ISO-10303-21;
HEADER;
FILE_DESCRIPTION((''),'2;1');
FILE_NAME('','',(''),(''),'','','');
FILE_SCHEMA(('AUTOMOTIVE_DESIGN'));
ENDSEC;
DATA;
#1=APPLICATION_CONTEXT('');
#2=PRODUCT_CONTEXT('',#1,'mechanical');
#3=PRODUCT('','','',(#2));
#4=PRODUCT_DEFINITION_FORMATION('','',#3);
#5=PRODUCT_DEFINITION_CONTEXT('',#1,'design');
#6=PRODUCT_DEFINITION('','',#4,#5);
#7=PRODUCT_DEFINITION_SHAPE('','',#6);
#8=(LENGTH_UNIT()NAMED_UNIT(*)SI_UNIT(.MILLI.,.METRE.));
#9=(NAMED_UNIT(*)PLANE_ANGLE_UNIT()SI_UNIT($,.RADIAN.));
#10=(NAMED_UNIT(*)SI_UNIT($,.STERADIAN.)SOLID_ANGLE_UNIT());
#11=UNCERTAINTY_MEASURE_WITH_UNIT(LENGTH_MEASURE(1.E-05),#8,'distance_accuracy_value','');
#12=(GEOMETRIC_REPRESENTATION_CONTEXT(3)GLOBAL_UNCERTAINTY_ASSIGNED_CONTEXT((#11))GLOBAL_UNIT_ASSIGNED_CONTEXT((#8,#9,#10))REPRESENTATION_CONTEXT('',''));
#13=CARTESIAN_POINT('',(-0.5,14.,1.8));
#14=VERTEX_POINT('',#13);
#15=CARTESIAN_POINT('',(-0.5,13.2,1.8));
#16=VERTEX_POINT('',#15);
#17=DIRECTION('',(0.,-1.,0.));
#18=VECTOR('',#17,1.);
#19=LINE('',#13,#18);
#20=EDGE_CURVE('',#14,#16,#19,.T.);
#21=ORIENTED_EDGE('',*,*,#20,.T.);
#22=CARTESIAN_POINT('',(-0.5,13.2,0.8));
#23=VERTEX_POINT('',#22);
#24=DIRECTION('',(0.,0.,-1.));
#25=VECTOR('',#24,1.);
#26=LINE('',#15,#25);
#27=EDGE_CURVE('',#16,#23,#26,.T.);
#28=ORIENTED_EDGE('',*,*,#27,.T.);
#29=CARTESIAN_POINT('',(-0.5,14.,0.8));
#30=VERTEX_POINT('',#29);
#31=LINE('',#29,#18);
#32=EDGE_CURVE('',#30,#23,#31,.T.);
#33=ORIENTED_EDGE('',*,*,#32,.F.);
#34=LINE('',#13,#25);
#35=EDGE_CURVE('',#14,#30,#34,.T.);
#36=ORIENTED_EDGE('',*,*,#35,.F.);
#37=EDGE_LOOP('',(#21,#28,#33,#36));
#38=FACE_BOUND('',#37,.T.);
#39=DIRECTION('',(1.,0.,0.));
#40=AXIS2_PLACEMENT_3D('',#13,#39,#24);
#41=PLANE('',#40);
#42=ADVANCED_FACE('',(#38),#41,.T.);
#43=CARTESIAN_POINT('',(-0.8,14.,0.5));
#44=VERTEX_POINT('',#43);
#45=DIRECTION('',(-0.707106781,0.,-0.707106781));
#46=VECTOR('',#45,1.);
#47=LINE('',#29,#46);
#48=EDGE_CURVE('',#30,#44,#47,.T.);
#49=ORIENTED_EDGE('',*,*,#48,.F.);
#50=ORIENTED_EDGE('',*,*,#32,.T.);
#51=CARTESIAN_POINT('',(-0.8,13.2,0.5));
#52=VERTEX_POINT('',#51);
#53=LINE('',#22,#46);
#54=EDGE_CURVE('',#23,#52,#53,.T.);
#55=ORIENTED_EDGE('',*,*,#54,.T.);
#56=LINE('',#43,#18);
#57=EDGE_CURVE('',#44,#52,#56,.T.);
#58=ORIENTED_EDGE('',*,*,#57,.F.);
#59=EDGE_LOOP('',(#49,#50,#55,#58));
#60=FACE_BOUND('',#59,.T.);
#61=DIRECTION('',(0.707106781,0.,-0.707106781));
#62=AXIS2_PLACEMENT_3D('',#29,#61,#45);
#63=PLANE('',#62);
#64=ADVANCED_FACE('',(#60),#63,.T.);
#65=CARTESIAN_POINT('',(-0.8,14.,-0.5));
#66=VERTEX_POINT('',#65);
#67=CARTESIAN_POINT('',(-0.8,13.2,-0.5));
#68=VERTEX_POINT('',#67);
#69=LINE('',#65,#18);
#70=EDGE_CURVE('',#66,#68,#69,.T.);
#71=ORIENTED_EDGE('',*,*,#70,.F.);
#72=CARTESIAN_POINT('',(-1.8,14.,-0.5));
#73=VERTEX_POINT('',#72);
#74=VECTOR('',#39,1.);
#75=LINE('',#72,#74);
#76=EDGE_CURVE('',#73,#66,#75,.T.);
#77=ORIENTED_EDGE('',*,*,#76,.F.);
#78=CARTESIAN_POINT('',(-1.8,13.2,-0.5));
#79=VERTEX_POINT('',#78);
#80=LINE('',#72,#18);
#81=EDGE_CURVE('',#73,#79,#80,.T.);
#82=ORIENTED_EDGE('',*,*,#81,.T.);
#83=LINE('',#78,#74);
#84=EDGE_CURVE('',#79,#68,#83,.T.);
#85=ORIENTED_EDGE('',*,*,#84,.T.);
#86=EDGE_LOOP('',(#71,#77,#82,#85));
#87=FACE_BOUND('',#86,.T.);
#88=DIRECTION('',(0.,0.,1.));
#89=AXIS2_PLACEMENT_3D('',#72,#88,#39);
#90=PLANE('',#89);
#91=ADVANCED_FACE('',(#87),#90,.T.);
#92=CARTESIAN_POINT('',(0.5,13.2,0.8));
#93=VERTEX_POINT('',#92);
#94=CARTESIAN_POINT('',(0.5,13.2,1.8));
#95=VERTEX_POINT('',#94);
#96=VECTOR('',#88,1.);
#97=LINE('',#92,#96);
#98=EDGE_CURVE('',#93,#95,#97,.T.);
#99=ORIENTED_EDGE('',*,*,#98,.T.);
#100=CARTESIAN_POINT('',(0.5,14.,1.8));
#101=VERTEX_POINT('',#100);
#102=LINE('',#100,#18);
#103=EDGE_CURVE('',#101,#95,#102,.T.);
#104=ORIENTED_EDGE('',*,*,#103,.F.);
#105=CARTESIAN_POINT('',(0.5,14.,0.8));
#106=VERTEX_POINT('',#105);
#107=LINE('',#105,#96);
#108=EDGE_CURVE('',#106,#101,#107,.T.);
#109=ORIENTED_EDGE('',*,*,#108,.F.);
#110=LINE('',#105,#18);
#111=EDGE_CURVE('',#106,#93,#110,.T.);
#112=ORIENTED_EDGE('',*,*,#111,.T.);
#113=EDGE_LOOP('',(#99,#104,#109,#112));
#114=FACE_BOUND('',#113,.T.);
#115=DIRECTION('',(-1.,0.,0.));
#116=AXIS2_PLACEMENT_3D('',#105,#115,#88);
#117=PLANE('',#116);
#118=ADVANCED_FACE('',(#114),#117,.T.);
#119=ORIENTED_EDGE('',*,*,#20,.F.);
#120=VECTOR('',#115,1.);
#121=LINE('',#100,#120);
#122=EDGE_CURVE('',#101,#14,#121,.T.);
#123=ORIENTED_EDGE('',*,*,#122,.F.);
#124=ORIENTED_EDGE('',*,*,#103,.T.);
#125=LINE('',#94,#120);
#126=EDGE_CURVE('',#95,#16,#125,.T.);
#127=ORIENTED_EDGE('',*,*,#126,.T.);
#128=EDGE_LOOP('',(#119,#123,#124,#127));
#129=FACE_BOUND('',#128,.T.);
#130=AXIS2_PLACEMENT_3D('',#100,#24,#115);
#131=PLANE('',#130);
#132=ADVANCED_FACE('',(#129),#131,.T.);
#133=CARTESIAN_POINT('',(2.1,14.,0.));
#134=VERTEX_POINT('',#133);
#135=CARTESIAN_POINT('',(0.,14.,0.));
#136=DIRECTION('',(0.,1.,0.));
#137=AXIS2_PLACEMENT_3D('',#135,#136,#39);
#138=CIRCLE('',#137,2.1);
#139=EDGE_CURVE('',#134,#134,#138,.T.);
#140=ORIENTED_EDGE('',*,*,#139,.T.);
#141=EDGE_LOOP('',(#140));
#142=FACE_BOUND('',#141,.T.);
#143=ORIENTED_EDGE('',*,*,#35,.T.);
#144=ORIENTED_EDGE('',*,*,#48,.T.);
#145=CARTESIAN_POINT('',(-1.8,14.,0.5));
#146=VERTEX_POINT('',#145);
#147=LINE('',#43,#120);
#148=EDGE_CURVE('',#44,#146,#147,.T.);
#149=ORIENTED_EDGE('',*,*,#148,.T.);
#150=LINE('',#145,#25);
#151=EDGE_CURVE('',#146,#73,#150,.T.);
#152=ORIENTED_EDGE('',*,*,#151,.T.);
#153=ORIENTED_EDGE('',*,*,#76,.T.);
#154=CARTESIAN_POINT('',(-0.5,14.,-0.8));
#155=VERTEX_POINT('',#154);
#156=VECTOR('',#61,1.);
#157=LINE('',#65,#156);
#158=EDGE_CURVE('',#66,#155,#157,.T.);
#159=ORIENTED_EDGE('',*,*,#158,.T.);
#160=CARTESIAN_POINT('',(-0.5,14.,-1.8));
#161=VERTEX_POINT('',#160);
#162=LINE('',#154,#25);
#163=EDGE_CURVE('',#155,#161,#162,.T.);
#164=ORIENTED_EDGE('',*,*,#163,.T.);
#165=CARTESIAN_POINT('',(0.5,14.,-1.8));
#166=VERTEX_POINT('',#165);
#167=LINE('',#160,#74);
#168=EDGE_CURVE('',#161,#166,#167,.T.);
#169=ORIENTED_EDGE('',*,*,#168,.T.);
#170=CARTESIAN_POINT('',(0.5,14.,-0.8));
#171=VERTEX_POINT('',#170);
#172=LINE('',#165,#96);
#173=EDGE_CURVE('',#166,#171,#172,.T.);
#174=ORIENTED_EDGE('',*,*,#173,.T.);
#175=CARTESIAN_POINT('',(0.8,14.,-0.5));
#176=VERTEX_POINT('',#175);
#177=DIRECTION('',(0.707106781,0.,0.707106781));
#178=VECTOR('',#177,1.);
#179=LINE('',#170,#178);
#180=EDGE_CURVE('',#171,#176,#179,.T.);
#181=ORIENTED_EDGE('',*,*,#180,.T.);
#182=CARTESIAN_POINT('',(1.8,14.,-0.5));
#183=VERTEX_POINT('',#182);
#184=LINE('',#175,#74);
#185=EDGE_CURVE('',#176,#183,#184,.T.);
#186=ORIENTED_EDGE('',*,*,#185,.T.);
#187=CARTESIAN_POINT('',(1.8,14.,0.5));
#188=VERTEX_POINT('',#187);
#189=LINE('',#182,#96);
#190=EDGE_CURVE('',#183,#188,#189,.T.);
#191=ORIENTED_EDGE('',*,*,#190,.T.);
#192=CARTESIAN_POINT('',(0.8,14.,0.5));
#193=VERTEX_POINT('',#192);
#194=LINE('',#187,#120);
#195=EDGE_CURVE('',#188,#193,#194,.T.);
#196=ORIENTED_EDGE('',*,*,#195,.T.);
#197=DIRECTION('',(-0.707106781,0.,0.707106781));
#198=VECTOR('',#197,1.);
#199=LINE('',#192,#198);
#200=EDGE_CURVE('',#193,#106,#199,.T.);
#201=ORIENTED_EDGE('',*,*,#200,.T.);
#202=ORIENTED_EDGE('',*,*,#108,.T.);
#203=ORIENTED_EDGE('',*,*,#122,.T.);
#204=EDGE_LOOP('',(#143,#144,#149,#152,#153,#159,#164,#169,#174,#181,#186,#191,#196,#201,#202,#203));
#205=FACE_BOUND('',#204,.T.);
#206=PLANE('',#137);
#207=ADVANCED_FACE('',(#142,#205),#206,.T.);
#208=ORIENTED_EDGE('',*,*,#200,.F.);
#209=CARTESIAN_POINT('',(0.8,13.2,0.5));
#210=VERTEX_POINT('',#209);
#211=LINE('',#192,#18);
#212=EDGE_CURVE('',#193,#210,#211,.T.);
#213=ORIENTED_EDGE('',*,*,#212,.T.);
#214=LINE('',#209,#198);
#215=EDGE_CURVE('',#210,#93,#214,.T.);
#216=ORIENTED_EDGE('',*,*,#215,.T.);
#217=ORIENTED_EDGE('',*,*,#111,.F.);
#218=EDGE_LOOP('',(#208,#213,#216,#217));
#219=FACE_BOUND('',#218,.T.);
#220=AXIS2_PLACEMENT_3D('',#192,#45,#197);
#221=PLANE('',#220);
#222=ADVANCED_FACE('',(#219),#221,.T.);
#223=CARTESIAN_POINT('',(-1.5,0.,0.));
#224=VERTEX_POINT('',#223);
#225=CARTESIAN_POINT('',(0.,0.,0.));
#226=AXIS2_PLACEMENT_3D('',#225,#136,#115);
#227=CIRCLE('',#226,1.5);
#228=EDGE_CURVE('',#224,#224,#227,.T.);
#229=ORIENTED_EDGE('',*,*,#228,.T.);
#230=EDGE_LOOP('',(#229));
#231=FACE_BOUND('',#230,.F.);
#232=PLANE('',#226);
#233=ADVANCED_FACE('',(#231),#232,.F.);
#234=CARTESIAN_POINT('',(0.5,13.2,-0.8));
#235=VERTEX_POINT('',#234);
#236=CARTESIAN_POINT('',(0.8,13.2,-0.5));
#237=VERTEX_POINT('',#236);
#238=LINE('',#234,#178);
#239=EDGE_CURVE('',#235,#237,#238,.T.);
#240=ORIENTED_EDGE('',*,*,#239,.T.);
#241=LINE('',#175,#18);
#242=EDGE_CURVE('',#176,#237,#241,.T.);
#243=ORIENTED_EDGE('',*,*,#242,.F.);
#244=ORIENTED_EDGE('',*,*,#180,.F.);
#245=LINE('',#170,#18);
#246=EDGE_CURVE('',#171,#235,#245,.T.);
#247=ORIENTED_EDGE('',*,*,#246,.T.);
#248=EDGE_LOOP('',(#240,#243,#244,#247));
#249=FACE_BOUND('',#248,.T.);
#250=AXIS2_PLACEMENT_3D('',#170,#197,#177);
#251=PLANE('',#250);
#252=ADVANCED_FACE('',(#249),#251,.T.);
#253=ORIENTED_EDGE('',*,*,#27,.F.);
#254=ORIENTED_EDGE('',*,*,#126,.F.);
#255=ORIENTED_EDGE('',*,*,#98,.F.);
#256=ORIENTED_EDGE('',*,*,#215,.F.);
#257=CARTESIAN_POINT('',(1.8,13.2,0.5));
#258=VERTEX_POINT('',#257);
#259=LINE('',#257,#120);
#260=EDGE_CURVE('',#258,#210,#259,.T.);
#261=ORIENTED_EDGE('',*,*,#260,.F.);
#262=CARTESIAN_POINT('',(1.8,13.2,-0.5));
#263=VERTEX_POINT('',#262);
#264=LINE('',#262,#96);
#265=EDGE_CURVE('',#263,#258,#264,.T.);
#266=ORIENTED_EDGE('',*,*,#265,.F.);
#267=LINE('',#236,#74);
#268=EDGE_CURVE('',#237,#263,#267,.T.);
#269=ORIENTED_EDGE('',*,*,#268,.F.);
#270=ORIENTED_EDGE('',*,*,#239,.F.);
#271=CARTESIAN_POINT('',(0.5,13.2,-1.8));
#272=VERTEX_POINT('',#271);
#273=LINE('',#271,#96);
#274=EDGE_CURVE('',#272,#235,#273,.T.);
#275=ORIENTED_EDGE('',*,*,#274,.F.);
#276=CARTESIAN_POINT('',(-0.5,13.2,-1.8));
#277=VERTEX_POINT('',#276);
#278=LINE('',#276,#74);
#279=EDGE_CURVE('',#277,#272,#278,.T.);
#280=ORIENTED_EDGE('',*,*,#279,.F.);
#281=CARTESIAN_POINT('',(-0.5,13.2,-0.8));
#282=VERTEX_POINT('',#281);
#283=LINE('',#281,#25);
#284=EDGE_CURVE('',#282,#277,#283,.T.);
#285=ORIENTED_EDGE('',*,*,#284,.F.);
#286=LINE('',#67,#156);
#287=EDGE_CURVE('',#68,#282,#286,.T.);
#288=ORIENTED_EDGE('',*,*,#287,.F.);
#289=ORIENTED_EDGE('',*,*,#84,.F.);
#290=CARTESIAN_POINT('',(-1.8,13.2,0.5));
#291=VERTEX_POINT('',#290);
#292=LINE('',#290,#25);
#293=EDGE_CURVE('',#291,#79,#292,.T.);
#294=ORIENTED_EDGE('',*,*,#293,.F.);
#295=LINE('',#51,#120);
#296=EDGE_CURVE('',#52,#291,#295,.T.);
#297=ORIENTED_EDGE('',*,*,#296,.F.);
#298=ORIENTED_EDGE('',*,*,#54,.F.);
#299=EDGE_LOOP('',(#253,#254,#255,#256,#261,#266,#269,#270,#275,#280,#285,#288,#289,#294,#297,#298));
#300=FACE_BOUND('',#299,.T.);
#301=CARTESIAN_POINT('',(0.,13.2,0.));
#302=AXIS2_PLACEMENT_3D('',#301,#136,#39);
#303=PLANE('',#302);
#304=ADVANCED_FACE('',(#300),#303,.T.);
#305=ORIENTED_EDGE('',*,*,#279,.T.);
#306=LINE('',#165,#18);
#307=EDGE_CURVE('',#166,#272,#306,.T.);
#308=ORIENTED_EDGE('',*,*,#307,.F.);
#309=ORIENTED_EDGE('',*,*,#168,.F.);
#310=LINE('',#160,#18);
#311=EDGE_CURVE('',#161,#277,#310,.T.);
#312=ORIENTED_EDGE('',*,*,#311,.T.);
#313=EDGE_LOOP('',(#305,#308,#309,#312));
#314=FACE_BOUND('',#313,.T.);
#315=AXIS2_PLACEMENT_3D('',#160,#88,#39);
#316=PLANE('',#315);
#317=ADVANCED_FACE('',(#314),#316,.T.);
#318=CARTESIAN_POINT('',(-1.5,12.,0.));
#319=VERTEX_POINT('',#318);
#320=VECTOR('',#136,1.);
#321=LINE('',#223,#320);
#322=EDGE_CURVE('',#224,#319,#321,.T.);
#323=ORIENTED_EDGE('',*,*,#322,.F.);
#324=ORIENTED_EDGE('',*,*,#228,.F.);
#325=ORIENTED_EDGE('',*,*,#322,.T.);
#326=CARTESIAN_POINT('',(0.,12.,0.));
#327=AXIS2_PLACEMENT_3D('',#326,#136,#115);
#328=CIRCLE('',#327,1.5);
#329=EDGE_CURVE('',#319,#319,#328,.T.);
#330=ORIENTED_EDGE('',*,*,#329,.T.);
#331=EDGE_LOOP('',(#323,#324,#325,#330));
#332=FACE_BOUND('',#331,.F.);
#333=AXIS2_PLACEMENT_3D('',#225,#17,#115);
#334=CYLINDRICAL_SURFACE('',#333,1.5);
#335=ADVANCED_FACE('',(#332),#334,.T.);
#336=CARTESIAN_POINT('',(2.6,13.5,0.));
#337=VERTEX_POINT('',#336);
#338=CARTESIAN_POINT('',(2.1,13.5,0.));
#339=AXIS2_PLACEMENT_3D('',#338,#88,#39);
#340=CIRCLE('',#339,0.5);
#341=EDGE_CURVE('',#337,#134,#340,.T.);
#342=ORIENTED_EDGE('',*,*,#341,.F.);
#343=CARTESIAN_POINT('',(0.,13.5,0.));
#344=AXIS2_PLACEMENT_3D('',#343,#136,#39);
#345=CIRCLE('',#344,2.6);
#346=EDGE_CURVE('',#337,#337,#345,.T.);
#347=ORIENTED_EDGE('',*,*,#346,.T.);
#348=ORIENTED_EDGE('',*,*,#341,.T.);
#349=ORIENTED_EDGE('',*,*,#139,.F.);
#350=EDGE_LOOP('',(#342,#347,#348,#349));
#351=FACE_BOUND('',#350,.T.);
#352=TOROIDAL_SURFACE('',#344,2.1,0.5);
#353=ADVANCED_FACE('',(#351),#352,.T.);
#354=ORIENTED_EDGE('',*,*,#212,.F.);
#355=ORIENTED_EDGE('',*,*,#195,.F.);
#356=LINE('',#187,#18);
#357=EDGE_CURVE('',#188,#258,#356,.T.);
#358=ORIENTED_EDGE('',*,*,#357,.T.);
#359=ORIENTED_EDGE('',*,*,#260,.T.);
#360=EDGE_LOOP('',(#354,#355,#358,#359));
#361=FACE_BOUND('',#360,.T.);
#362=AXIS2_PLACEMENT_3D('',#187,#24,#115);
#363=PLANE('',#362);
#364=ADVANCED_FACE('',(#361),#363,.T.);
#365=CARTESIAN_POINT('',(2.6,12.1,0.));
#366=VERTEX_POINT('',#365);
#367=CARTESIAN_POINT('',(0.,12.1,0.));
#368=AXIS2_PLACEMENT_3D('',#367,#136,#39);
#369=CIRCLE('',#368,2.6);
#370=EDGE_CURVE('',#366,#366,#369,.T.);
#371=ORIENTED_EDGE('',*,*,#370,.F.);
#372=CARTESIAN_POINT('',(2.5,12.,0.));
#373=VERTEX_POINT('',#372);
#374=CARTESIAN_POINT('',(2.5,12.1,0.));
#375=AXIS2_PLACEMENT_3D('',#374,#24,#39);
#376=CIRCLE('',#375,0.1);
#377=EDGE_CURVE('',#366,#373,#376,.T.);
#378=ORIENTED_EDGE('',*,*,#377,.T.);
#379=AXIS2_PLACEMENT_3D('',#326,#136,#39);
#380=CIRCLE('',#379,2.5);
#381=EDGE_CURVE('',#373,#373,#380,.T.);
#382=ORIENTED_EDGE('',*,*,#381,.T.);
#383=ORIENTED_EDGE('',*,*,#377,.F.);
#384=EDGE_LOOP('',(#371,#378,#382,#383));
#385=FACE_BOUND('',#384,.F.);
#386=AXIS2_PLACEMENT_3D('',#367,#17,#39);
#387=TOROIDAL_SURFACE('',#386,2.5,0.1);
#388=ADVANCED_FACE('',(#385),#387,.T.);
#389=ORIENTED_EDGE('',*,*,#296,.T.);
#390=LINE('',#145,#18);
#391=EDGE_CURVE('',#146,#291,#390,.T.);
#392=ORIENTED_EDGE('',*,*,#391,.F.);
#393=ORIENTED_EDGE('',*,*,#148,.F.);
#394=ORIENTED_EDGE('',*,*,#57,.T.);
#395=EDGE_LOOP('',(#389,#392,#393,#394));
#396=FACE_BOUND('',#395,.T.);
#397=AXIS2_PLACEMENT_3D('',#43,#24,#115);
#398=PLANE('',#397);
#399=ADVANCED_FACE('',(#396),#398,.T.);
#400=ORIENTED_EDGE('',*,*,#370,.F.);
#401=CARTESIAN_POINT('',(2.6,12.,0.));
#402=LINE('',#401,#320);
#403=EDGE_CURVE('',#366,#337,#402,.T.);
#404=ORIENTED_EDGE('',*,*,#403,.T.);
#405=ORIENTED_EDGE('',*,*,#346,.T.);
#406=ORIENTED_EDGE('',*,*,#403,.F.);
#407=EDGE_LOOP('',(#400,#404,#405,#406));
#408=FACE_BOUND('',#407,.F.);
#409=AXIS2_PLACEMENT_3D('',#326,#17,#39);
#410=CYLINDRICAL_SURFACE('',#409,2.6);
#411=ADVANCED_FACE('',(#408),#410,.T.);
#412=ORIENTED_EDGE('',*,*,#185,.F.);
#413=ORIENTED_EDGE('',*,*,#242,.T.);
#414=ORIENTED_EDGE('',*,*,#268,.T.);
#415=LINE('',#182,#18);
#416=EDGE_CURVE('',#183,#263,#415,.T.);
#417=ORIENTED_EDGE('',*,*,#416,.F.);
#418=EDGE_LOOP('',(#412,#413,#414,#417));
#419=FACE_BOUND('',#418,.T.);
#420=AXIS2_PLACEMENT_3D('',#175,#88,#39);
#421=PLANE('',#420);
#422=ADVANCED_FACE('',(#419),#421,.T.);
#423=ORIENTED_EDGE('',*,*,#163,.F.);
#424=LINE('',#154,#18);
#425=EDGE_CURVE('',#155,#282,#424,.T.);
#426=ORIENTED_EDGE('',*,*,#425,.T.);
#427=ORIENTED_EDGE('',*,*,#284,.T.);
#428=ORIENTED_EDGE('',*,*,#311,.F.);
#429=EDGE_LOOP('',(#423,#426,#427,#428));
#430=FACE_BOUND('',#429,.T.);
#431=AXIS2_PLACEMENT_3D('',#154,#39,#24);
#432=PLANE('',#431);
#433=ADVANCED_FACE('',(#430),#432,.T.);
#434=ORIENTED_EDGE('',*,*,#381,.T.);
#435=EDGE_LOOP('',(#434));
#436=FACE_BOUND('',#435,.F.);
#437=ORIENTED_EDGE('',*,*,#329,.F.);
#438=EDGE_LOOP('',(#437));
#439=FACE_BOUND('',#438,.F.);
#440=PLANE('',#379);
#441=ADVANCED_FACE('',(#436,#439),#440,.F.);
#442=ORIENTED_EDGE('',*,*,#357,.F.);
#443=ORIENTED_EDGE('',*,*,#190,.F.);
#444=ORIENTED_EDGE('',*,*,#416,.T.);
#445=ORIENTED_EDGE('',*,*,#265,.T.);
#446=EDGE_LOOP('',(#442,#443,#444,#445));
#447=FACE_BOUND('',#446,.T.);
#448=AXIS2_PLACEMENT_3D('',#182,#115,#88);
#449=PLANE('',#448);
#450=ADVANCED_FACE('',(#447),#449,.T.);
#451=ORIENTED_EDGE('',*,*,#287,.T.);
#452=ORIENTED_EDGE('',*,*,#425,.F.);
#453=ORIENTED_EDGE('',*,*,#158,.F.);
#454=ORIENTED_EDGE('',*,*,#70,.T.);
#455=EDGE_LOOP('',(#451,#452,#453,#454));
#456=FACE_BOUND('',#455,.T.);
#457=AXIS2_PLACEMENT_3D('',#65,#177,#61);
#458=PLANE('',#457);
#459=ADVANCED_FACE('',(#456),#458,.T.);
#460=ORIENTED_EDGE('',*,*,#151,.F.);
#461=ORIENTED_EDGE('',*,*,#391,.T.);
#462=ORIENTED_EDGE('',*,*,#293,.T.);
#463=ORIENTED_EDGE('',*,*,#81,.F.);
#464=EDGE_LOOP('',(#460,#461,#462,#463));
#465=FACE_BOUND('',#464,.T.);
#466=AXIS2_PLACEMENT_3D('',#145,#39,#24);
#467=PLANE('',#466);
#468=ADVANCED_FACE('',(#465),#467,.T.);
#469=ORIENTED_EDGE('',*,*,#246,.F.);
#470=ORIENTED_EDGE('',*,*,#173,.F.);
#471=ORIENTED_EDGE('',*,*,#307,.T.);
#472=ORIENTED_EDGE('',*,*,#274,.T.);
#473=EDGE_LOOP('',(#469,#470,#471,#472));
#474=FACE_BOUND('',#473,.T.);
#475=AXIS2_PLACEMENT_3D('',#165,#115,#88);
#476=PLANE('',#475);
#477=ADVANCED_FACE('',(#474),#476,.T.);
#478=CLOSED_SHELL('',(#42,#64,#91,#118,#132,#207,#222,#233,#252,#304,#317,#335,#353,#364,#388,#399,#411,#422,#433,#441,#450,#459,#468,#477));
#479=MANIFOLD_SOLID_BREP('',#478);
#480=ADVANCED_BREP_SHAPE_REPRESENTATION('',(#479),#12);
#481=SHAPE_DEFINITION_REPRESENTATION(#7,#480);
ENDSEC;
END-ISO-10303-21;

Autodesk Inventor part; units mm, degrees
ref_plane "YZ Plane" through (0, 0, 0) normal (1, 0, 0) x (0, 1, 0)
ref_plane "XZ Plane" through (0, 0, 0) normal (0, 1, 0) x (-1, 0, 0)
ref_plane "XY Plane" through (0, 0, 0) normal (0, 0, 1) x (1, 0, 0)
sketch "Sketch1" plane through (0, 0, 0) normal (0, 1, 0) x (-1, 0, 0)
  circle A0 centre (0, 0) radius 1.5
  dimension "d0" = 3
extrude "Extrusion1" add sketch "Sketch1" along normal blind 12
sketch "Sketch2" plane through (0, 12, 0) normal (0, 1, 0) x (1, 0, 0)
  circle A0 centre (0, 0) radius 2.6
  dimension "d3" = 5.2
extrude "Extrusion2" add sketch "Sketch2" along normal blind 2
sketch "Sketch3" plane through (0, 14, 0) normal (0, 1, 0) x (1, 0, 0)
  line L0 (-1.8, 0.5) -> (-0.8, 0.5)
  line L1 (-0.8, 0.5) -> (-0.5, 0.8)
  line L2 (-0.5, 0.8) -> (-0.5, 1.8)
  line L3 (-0.5, 1.8) -> (0.5, 1.8)
  line L4 (0.5, 1.8) -> (0.5, 0.8)
  line L5 (0.5, 0.8) -> (0.8, 0.5)
  line L6 (0.8, 0.5) -> (1.8, 0.5)
  line L7 (1.8, 0.5) -> (1.8, -0.5)
  line L8 (1.8, -0.5) -> (0.8, -0.5)
  line L9 (0.8, -0.5) -> (0.5, -0.8)
  line L10 (0.5, -0.8) -> (0.5, -1.8)
  line L11 (0.5, -1.8) -> (-0.5, -1.8)
  line L12 (-0.5, -1.8) -> (-0.5, -0.8)
  line L13 (-0.5, -0.8) -> (-0.8, -0.5)
  line L14 (-0.8, -0.5) -> (-1.8, -0.5)
  line L15 (-1.8, -0.5) -> (-1.8, 0.5)
  point P0 (0, 0)
  dimension "d6" = 1
  dimension "d7" = 1
  dimension "d8" = 1
  dimension "d9" = 1
  dimension "d11" = 1
  dimension "d12" = 1
  dimension "d13" = 1
  dimension "d14" = 1
  dimension "d15" = 1
  dimension "d16" = 1
  dimension "d17" = 135
  dimension "d18" = 135
  dimension "d19" = 135
  dimension "d20" = 0.5
  dimension "d21" = 0.5
  dimension "d22" = 1.8
  dimension "d23" = 1.8
  dimension "d24" = 0.5
extrude "Extrusion3" cut sketch "Sketch3" against normal blind 0.8
fillet "Fillet1" radius 0.5 1 edges at (-2.6, 14, 0)
fillet "Fillet2" radius 0.1 1 edges at (-2.6, 12, 0)
thread "Thread1" size "G 1/16-28" class "A" standard "BSP Pipe Threads" full length
equation "\"d7\" = d6"
equation "\"d8\" = d6"
equation "\"d9\" = d6"
equation "\"d11\" = d6"
equation "\"d12\" = d6"
equation "\"d13\" = d6"
equation "\"d14\" = d6"
equation "\"d15\" = d6"
equation "\"d16\" = d6"
equation "\"d18\" = d17"
equation "\"d19\" = d17"
equation "\"d20\" = 0.5 * d16"
equation "\"d21\" = 0.5 * d16"
equation "\"d24\" = 0.5 * d16"
properties part number "plastic_screw_3_x_12"
